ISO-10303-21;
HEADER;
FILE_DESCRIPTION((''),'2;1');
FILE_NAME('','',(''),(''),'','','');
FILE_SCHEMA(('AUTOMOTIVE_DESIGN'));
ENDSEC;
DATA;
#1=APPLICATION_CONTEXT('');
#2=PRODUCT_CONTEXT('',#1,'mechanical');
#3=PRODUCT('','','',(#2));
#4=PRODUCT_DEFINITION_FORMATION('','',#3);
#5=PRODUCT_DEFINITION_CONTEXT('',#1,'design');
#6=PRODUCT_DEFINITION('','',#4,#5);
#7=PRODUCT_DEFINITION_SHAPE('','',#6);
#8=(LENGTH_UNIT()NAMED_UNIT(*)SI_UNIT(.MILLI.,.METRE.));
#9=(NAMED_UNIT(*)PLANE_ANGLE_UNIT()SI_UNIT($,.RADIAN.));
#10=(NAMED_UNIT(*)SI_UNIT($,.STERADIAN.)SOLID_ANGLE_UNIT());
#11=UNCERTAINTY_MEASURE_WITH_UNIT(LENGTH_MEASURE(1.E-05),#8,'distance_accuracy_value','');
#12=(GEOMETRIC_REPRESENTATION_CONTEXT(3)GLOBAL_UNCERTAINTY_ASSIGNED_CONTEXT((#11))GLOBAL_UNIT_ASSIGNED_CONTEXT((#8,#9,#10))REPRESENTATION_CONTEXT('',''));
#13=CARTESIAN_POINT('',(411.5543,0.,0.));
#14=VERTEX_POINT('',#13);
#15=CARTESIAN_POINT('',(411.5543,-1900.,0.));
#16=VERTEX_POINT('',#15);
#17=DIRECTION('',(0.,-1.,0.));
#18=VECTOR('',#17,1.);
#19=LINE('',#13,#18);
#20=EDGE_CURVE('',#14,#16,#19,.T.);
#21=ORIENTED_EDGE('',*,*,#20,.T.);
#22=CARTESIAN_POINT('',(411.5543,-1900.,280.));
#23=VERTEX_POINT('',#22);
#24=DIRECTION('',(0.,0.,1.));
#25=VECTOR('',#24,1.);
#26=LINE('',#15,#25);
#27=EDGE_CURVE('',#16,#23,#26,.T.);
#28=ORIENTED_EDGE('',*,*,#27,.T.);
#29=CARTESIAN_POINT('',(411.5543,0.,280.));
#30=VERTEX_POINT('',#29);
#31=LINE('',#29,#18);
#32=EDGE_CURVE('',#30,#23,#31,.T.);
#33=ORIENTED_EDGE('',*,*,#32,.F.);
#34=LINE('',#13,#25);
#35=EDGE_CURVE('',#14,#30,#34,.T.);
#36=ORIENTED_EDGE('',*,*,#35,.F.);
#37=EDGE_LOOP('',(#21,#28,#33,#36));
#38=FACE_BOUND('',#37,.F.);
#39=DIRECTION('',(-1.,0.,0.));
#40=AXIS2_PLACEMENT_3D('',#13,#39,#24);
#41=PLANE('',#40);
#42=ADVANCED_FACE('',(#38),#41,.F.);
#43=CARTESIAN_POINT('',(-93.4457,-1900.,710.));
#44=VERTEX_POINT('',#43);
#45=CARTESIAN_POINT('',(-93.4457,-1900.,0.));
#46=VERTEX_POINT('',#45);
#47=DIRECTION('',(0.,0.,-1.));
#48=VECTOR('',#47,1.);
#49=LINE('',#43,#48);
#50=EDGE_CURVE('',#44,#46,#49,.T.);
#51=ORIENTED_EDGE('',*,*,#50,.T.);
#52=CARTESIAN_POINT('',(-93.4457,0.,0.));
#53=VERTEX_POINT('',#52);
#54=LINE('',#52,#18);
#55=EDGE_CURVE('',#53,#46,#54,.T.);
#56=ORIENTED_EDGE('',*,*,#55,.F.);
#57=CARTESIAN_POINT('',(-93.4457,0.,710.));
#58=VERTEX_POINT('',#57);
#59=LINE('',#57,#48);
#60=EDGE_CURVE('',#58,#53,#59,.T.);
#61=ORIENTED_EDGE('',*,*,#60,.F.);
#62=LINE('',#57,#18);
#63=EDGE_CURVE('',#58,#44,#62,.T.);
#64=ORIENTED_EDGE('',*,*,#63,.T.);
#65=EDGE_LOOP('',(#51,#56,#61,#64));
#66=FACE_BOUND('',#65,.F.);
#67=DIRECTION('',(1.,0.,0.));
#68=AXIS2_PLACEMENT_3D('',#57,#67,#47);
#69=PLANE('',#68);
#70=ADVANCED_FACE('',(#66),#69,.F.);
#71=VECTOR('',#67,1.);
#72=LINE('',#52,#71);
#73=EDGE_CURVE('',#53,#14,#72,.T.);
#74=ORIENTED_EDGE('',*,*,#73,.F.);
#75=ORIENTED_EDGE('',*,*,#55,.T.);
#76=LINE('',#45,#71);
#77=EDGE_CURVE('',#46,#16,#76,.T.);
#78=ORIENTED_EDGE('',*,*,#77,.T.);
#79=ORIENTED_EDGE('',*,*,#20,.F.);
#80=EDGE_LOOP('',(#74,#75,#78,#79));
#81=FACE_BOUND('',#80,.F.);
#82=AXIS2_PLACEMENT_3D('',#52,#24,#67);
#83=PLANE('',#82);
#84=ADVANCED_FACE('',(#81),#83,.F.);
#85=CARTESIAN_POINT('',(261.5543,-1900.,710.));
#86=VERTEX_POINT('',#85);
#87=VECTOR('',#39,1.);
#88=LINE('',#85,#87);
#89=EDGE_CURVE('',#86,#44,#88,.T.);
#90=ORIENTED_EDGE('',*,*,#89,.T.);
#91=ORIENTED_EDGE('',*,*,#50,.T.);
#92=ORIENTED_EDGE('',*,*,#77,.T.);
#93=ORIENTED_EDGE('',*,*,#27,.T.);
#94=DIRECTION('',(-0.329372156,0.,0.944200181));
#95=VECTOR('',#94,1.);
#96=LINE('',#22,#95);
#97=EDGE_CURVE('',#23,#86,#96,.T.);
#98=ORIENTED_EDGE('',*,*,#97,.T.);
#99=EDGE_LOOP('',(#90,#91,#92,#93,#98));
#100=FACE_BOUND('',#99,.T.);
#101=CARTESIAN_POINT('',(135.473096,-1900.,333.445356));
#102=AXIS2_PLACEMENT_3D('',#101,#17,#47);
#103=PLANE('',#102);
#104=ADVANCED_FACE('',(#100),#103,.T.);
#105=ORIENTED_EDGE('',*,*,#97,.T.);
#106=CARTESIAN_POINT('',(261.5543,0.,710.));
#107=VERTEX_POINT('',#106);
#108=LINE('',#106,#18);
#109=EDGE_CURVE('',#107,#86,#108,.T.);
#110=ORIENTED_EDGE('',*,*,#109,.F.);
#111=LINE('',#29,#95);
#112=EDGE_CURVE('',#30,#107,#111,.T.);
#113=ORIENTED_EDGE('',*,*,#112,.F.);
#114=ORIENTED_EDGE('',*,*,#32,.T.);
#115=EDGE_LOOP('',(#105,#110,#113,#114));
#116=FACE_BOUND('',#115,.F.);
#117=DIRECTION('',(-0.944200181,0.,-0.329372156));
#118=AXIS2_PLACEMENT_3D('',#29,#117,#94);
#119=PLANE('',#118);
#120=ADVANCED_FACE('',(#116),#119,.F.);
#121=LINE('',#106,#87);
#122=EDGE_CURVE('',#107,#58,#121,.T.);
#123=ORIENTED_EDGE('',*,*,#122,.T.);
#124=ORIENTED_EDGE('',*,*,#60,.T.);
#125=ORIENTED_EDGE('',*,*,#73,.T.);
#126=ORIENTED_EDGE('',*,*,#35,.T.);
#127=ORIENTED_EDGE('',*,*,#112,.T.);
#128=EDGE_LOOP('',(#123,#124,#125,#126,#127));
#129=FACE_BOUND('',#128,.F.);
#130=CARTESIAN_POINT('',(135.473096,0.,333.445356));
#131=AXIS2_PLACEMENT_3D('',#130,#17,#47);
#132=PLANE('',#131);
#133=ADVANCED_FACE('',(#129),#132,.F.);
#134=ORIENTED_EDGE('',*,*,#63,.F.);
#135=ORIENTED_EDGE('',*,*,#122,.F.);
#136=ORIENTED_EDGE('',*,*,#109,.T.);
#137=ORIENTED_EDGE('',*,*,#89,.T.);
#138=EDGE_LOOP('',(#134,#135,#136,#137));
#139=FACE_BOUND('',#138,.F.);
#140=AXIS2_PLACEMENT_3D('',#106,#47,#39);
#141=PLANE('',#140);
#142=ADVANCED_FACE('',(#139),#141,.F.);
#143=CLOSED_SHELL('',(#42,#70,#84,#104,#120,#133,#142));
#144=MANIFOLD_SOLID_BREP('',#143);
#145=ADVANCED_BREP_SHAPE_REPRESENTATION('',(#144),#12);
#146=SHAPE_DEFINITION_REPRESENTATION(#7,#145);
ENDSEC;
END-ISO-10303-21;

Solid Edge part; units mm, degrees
sketch "Sketch1" plane through (0, 0, 0) normal (0, -1, 0) x (1, 0, 0)
  line L0 (-93.4457, 0) -> (411.5543, 0)
  line L1 (411.5543, 0) -> (411.5543, 280)
  line L2 (411.5543, 280) -> (261.5543, 710)
  line L3 (261.5543, 710) -> (-93.4457, 710)
  line L4 (-93.4457, 710) -> (-93.4457, 0)
  dimension "D1" = 710
  dimension "D2" = 280
  dimension "D3" = 505
  dimension "D4" = 355
extrude "Protrusion1" add sketch "Sketch1" along normal blind 1900
properties material "Stainless Steel, 304"
